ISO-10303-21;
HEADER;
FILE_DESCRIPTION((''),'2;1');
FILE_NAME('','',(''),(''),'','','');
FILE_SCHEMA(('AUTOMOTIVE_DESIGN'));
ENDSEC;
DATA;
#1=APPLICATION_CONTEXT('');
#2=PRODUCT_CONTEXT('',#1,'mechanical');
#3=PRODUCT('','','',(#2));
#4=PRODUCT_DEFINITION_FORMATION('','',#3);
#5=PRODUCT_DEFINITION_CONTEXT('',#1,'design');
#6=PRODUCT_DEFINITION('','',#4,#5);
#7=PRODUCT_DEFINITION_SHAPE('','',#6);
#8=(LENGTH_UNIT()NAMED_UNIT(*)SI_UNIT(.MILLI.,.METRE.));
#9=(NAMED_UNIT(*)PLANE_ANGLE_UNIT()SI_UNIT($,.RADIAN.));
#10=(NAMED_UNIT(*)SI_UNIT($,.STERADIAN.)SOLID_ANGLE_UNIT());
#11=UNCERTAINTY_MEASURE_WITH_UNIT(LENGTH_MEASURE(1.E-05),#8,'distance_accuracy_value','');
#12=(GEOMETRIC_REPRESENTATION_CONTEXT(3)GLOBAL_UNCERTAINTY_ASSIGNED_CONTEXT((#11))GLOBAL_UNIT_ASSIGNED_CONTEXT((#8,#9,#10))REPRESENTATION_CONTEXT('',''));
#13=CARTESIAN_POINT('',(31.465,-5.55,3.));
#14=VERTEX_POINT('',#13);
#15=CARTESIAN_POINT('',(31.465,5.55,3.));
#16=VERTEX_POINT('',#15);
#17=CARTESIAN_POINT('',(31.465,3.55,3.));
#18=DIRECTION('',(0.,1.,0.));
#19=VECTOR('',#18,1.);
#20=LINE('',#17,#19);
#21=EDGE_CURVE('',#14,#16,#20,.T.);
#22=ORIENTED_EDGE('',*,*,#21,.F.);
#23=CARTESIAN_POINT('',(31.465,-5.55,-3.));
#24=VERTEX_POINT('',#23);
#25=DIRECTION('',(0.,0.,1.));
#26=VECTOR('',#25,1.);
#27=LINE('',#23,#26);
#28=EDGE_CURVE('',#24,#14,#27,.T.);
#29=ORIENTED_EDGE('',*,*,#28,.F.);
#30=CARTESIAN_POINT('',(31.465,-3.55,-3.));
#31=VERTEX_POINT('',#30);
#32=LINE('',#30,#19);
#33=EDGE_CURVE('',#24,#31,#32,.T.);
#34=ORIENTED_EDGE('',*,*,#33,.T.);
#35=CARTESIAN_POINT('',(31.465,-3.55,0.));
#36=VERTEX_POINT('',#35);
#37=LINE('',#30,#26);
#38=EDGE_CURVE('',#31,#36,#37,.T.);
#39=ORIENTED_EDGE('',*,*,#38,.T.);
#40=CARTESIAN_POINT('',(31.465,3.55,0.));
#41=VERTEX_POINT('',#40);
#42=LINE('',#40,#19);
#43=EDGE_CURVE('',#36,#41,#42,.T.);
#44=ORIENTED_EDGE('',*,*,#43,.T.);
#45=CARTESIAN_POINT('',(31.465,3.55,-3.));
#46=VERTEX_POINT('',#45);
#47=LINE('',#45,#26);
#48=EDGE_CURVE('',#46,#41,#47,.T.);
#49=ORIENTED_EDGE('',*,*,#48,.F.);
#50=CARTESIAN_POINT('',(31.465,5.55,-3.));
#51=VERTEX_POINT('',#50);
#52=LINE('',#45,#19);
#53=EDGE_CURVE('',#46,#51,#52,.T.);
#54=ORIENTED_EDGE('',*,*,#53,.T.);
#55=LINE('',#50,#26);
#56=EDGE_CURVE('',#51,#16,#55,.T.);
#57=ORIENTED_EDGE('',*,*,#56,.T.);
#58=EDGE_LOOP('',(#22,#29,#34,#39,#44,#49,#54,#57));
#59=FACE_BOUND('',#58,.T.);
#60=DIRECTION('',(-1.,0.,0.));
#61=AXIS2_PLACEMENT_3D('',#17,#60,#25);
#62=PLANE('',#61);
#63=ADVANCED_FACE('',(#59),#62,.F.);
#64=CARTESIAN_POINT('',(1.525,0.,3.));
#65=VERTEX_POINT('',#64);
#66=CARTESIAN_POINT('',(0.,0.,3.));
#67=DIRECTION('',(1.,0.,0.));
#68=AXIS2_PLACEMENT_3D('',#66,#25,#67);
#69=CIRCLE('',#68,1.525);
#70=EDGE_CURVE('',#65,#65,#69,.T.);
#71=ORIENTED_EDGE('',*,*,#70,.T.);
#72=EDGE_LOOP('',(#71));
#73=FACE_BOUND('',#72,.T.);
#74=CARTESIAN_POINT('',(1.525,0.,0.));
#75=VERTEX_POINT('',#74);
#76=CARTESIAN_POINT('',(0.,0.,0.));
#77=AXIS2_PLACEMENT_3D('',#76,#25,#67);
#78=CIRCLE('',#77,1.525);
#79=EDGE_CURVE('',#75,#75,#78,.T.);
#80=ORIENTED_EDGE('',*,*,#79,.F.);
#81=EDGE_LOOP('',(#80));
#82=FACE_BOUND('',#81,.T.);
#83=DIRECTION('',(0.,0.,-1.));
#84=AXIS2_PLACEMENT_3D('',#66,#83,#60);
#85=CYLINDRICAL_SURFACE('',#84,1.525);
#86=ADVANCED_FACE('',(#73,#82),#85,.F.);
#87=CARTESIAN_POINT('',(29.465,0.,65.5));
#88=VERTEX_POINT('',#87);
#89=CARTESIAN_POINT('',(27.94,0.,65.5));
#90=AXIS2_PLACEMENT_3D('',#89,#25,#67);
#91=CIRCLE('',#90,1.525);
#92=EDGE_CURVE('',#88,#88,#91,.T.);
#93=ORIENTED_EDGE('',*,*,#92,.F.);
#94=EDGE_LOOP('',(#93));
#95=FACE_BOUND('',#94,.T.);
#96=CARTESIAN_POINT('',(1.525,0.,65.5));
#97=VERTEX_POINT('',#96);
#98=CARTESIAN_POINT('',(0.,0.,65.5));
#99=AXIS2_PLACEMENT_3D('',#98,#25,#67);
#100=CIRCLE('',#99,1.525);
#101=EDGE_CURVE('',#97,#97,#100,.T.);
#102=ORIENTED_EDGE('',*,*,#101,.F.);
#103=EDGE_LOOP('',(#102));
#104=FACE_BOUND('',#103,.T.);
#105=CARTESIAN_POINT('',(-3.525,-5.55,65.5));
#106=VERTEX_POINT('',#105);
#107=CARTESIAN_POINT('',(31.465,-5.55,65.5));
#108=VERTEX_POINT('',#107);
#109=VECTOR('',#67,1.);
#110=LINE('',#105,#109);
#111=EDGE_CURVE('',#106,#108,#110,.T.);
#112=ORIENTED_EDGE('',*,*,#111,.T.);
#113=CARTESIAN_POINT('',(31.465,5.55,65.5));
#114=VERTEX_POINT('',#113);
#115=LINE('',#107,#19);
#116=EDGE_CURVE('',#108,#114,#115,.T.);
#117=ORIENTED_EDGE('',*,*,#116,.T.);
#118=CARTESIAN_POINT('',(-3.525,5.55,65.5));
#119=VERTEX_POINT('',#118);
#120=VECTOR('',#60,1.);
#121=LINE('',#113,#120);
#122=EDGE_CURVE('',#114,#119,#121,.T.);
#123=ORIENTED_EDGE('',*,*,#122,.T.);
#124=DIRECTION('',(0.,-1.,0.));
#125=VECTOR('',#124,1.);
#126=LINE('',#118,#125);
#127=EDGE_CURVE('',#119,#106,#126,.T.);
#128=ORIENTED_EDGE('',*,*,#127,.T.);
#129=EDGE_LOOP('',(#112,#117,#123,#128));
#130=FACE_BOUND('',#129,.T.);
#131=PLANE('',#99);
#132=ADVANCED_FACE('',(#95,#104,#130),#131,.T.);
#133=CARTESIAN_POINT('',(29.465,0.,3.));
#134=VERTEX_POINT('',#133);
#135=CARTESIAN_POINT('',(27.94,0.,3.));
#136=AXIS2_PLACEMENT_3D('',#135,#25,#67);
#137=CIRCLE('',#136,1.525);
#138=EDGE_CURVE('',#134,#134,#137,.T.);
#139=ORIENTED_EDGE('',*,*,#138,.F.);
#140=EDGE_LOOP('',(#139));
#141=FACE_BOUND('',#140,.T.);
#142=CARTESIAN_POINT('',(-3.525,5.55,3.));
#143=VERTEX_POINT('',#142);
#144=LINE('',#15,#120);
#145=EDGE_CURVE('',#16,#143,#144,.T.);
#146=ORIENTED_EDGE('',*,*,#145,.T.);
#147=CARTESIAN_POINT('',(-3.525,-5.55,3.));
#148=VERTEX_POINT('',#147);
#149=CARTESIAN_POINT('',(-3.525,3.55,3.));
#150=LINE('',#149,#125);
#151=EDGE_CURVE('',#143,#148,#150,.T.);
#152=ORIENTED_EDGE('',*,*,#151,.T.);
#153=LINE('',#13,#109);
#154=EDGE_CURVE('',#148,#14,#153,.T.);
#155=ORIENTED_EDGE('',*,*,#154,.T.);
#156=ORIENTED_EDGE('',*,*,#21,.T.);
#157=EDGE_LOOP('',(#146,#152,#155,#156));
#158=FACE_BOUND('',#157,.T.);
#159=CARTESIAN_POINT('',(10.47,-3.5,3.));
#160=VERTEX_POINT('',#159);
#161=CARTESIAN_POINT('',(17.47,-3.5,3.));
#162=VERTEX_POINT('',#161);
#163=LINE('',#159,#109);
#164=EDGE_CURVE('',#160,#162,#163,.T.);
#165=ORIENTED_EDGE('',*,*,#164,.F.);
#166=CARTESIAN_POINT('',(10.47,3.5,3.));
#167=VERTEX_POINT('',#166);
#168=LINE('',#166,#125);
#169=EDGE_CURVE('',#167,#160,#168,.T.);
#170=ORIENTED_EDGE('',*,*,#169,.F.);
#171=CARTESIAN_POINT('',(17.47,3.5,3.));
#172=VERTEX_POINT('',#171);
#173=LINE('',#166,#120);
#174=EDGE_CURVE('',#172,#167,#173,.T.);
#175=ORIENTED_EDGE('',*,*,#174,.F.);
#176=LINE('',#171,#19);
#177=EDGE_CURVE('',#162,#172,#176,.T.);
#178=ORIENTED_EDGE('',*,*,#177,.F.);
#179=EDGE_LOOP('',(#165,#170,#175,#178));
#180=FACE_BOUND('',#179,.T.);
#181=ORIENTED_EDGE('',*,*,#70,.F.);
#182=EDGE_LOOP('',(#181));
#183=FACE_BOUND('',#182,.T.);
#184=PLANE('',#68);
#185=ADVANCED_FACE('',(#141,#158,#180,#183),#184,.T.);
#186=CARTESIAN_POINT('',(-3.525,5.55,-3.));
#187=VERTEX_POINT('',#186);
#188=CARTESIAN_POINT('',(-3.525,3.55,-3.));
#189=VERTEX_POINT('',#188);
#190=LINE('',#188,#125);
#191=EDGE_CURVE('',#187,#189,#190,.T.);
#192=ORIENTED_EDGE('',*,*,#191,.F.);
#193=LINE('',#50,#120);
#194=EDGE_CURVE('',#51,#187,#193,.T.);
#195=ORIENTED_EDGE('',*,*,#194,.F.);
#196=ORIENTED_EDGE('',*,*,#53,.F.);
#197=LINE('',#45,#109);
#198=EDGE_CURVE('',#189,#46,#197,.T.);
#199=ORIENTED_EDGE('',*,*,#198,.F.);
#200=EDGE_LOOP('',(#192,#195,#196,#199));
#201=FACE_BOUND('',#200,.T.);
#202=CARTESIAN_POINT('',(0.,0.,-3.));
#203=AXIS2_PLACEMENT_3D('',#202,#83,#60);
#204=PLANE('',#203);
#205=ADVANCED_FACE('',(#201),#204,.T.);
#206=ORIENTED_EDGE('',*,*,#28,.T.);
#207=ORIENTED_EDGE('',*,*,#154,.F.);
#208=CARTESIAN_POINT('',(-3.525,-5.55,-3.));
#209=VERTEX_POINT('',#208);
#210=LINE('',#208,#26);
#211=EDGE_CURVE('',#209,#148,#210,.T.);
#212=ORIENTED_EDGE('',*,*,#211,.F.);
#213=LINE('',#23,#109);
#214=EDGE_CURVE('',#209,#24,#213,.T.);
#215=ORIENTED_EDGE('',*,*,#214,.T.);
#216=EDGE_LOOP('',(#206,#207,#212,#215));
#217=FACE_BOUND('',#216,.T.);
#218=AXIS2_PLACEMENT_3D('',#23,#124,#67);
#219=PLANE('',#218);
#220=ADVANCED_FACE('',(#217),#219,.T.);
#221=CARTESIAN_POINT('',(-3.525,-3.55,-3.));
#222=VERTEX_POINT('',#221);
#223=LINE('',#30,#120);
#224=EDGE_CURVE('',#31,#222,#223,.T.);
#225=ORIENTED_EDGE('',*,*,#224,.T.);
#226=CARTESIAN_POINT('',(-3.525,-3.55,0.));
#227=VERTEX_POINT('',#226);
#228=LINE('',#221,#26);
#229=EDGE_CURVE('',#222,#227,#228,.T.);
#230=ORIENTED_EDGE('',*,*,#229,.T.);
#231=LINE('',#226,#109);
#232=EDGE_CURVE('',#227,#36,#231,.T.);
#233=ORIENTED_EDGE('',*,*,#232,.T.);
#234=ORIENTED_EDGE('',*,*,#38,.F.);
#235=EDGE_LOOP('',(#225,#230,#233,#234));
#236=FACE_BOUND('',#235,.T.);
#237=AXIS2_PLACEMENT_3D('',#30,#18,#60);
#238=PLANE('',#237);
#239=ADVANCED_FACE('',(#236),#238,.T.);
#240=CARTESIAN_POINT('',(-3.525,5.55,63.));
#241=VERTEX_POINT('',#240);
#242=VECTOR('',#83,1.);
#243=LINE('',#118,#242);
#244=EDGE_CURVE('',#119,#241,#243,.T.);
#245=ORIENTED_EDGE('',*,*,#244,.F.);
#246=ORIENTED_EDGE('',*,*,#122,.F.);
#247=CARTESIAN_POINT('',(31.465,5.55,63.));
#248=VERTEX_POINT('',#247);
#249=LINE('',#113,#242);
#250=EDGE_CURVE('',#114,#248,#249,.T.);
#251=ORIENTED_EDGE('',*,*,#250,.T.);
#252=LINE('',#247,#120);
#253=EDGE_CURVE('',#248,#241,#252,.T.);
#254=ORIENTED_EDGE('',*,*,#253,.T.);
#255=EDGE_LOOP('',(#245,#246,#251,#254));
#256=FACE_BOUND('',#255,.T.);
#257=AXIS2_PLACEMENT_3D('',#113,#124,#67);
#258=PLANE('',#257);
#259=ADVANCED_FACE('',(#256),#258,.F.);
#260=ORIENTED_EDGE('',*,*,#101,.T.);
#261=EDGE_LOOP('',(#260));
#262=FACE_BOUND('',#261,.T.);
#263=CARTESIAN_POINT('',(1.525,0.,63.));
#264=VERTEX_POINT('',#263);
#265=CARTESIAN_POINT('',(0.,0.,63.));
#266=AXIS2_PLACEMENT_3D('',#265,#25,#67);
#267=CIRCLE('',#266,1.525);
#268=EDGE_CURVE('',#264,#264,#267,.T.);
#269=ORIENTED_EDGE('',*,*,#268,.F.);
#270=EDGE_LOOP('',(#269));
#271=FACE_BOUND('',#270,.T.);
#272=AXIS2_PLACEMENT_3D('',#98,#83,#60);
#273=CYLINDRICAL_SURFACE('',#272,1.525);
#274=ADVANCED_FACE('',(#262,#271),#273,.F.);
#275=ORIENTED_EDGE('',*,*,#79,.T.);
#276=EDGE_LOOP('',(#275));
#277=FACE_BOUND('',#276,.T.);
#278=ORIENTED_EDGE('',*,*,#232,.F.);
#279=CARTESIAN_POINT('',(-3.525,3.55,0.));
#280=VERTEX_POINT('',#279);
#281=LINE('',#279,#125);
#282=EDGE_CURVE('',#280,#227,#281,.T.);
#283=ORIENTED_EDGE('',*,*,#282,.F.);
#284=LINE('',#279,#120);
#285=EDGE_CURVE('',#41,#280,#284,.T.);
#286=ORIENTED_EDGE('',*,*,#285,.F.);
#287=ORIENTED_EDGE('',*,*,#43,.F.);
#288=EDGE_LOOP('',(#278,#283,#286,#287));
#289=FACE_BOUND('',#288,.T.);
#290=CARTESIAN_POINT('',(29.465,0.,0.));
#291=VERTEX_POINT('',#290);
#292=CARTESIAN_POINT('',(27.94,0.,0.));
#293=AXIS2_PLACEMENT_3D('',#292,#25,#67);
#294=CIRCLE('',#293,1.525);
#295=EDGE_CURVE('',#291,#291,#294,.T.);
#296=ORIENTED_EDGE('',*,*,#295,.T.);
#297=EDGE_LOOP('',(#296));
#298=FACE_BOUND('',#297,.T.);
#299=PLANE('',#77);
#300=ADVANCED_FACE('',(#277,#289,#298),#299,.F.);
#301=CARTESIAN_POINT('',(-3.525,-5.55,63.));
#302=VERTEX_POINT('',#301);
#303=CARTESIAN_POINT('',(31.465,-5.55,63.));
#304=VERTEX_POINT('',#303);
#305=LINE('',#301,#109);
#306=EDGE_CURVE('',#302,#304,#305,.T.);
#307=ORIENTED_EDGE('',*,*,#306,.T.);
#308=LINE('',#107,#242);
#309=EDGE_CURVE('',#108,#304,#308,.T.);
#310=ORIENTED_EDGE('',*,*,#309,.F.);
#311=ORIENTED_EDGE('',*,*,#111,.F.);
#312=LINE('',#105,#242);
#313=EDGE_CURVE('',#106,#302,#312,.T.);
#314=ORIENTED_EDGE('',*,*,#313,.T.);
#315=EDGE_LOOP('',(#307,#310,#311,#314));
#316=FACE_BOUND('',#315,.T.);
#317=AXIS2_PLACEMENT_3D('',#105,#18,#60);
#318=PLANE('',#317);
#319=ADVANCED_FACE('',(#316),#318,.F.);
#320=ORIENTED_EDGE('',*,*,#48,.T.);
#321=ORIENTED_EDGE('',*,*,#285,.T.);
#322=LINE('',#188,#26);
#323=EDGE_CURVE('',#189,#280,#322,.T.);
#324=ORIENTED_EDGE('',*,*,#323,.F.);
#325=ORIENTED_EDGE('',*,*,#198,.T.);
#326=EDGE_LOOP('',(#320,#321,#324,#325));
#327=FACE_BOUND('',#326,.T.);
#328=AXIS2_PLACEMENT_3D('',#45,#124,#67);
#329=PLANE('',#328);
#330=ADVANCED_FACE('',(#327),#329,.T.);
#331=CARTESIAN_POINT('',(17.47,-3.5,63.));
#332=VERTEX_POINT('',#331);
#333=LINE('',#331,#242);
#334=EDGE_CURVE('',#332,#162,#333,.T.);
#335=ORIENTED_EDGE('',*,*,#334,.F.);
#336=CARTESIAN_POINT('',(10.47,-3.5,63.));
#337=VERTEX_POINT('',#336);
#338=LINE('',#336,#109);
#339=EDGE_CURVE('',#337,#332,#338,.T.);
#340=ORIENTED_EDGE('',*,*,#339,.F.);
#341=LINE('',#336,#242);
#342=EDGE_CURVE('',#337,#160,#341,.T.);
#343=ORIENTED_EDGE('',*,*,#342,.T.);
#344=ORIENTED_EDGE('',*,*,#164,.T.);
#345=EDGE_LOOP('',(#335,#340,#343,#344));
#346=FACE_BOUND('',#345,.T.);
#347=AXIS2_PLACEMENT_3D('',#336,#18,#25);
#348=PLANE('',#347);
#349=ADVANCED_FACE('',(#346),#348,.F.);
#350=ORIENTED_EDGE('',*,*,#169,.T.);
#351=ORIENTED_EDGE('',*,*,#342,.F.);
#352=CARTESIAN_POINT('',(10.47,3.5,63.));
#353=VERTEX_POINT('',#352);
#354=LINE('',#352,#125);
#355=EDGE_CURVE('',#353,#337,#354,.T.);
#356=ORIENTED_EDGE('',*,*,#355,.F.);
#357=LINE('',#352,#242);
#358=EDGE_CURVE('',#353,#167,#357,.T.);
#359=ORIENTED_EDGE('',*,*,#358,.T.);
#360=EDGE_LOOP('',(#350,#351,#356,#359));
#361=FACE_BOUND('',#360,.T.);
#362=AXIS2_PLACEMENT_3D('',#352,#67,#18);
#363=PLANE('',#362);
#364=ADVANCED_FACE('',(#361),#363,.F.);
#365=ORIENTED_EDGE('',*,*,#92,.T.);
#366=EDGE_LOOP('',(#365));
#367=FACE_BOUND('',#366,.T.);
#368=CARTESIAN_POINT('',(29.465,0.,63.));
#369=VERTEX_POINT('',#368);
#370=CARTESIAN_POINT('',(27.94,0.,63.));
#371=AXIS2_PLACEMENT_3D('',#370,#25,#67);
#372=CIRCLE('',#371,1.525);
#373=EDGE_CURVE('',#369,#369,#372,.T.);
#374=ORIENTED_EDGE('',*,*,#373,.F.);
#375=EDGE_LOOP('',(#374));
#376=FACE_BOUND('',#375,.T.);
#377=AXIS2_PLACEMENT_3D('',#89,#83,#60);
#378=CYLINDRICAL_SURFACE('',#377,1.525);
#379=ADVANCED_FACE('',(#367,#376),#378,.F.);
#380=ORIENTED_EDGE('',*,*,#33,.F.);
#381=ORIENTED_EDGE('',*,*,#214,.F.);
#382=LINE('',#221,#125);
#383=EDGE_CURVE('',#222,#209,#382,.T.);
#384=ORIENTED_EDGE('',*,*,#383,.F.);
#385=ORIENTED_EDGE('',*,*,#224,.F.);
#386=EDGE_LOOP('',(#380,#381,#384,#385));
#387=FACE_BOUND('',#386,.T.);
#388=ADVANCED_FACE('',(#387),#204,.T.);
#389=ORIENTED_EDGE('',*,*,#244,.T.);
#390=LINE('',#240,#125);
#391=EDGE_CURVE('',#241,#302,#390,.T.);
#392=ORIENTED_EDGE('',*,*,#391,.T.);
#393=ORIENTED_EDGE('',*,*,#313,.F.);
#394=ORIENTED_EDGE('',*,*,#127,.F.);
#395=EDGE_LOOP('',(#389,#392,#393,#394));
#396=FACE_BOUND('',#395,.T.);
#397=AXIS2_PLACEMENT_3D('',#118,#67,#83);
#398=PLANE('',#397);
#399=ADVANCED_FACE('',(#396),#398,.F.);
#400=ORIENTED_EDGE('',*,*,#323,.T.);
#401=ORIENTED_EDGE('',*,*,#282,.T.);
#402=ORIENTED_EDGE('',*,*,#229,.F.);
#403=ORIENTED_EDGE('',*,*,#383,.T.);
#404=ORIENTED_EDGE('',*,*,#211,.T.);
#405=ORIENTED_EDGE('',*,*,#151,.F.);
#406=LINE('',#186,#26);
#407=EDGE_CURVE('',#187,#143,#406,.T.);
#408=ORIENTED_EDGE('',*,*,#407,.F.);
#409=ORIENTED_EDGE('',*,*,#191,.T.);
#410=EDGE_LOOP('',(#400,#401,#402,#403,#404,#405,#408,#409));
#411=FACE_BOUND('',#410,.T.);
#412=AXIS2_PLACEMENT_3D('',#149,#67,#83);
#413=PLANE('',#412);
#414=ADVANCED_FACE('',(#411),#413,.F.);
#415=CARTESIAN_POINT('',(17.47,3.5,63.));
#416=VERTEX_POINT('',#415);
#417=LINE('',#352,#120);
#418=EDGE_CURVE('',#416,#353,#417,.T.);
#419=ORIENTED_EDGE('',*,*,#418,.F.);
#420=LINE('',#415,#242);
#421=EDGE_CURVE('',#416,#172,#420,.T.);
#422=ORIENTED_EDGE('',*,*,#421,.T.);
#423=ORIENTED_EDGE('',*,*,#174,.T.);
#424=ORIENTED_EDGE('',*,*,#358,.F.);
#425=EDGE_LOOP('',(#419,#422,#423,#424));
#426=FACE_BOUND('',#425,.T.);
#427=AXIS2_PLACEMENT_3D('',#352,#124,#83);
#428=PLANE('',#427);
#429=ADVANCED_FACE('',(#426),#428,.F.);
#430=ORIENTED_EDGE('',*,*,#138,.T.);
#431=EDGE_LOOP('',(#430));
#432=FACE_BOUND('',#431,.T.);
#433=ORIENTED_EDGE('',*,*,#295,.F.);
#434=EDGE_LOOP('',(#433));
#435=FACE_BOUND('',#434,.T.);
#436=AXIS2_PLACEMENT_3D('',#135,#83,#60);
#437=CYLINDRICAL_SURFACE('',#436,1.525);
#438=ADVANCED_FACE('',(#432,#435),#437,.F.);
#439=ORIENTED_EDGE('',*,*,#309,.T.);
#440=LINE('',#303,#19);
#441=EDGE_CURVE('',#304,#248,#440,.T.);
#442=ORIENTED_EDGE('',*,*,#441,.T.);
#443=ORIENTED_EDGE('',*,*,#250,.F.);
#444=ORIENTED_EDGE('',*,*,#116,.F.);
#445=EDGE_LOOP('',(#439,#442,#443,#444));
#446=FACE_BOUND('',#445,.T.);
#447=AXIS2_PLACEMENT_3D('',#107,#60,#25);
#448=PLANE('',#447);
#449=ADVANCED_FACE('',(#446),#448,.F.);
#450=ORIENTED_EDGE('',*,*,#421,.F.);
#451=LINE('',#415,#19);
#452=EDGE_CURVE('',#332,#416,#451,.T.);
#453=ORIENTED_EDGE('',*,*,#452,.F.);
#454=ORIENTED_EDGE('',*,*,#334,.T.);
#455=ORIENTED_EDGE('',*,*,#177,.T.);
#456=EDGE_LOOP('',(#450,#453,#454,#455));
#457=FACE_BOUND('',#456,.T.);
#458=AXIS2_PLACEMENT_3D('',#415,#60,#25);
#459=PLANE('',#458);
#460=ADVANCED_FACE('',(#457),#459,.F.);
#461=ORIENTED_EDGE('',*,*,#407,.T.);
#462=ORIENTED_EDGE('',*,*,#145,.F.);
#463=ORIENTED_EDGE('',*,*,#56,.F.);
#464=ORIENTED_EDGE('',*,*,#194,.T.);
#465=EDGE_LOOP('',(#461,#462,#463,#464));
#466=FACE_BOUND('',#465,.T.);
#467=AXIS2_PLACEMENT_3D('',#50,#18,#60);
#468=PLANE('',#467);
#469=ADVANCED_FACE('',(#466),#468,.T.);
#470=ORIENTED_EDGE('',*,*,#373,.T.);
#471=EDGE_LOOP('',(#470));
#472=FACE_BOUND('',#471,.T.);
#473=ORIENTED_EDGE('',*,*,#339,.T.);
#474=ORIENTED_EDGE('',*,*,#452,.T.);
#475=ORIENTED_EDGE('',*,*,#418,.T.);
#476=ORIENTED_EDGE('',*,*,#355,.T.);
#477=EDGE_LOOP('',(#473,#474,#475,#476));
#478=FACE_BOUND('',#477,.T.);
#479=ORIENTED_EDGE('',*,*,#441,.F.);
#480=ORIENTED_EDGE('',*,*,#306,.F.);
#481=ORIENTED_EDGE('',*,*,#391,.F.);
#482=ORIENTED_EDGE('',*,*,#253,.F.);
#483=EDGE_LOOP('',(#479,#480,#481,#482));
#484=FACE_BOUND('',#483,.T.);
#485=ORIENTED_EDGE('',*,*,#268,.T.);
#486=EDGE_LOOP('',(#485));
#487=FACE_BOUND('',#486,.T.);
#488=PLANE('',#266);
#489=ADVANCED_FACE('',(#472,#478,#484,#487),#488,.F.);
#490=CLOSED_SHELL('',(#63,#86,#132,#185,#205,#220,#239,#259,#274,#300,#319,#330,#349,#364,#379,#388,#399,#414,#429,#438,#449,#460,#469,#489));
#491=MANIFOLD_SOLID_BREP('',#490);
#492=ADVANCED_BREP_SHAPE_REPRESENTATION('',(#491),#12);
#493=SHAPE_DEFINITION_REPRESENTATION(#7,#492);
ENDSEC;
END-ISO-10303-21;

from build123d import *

# Parameters (mm, degrees)
SKETCH2_W           = 34.99
SKETCH2_H           = 7.1
SKETCH2_R           = 1.525
BOSS_EXTRUDE1_DEPTH = 3
SKETCH3_W           = 34.99
SKETCH3_H           = 2
BOSS_EXTRUDE2_DEPTH = 6
SKETCH4_W           = 7
SKETCH4_H           = 7
BOSS_EXTRUDE3_DEPTH = 60
SKETCH5_W           = 34.99
SKETCH5_H           = 11.1
SKETCH5_R           = 1.525
BOSS_EXTRUDE4_DEPTH = 2.5


with BuildPart() as part:
    # Sketch2 → Boss-Extrude1 (new body)
    with BuildSketch(Plane.XY):
        with Locations((13.97, 0)):
            Rectangle(SKETCH2_W, SKETCH2_H)
        Circle(SKETCH2_R, mode=Mode.SUBTRACT)
        with Locations((27.94, 0)):
            Circle(SKETCH2_R, mode=Mode.SUBTRACT)
    extrude(amount=BOSS_EXTRUDE1_DEPTH)

    # Sketch3 → Boss-Extrude2 (add)
    with BuildSketch(Plane.XY.offset(3)):
        with Locations((13.97, -4.55)):
            Rectangle(SKETCH3_W, SKETCH3_H)
        with Locations((13.97, 4.55)):
            Rectangle(SKETCH3_W, SKETCH3_H)
    extrude(amount=-BOSS_EXTRUDE2_DEPTH)

    # Sketch4 → Boss-Extrude3 (add)
    with BuildSketch(Plane.XY.offset(3)):
        with Locations((13.97, 0)):
            Rectangle(SKETCH4_W, SKETCH4_H)
    extrude(amount=BOSS_EXTRUDE3_DEPTH)

    # Sketch5 → Boss-Extrude4 (add)
    with BuildSketch(Plane.XY.offset(63)):
        with Locations((13.97, 0)):
            Rectangle(SKETCH5_W, SKETCH5_H)
        Circle(SKETCH5_R, mode=Mode.SUBTRACT)
        with Locations((27.94, 0)):
            Circle(SKETCH5_R, mode=Mode.SUBTRACT)
    extrude(amount=BOSS_EXTRUDE4_DEPTH)


solid = part.part
